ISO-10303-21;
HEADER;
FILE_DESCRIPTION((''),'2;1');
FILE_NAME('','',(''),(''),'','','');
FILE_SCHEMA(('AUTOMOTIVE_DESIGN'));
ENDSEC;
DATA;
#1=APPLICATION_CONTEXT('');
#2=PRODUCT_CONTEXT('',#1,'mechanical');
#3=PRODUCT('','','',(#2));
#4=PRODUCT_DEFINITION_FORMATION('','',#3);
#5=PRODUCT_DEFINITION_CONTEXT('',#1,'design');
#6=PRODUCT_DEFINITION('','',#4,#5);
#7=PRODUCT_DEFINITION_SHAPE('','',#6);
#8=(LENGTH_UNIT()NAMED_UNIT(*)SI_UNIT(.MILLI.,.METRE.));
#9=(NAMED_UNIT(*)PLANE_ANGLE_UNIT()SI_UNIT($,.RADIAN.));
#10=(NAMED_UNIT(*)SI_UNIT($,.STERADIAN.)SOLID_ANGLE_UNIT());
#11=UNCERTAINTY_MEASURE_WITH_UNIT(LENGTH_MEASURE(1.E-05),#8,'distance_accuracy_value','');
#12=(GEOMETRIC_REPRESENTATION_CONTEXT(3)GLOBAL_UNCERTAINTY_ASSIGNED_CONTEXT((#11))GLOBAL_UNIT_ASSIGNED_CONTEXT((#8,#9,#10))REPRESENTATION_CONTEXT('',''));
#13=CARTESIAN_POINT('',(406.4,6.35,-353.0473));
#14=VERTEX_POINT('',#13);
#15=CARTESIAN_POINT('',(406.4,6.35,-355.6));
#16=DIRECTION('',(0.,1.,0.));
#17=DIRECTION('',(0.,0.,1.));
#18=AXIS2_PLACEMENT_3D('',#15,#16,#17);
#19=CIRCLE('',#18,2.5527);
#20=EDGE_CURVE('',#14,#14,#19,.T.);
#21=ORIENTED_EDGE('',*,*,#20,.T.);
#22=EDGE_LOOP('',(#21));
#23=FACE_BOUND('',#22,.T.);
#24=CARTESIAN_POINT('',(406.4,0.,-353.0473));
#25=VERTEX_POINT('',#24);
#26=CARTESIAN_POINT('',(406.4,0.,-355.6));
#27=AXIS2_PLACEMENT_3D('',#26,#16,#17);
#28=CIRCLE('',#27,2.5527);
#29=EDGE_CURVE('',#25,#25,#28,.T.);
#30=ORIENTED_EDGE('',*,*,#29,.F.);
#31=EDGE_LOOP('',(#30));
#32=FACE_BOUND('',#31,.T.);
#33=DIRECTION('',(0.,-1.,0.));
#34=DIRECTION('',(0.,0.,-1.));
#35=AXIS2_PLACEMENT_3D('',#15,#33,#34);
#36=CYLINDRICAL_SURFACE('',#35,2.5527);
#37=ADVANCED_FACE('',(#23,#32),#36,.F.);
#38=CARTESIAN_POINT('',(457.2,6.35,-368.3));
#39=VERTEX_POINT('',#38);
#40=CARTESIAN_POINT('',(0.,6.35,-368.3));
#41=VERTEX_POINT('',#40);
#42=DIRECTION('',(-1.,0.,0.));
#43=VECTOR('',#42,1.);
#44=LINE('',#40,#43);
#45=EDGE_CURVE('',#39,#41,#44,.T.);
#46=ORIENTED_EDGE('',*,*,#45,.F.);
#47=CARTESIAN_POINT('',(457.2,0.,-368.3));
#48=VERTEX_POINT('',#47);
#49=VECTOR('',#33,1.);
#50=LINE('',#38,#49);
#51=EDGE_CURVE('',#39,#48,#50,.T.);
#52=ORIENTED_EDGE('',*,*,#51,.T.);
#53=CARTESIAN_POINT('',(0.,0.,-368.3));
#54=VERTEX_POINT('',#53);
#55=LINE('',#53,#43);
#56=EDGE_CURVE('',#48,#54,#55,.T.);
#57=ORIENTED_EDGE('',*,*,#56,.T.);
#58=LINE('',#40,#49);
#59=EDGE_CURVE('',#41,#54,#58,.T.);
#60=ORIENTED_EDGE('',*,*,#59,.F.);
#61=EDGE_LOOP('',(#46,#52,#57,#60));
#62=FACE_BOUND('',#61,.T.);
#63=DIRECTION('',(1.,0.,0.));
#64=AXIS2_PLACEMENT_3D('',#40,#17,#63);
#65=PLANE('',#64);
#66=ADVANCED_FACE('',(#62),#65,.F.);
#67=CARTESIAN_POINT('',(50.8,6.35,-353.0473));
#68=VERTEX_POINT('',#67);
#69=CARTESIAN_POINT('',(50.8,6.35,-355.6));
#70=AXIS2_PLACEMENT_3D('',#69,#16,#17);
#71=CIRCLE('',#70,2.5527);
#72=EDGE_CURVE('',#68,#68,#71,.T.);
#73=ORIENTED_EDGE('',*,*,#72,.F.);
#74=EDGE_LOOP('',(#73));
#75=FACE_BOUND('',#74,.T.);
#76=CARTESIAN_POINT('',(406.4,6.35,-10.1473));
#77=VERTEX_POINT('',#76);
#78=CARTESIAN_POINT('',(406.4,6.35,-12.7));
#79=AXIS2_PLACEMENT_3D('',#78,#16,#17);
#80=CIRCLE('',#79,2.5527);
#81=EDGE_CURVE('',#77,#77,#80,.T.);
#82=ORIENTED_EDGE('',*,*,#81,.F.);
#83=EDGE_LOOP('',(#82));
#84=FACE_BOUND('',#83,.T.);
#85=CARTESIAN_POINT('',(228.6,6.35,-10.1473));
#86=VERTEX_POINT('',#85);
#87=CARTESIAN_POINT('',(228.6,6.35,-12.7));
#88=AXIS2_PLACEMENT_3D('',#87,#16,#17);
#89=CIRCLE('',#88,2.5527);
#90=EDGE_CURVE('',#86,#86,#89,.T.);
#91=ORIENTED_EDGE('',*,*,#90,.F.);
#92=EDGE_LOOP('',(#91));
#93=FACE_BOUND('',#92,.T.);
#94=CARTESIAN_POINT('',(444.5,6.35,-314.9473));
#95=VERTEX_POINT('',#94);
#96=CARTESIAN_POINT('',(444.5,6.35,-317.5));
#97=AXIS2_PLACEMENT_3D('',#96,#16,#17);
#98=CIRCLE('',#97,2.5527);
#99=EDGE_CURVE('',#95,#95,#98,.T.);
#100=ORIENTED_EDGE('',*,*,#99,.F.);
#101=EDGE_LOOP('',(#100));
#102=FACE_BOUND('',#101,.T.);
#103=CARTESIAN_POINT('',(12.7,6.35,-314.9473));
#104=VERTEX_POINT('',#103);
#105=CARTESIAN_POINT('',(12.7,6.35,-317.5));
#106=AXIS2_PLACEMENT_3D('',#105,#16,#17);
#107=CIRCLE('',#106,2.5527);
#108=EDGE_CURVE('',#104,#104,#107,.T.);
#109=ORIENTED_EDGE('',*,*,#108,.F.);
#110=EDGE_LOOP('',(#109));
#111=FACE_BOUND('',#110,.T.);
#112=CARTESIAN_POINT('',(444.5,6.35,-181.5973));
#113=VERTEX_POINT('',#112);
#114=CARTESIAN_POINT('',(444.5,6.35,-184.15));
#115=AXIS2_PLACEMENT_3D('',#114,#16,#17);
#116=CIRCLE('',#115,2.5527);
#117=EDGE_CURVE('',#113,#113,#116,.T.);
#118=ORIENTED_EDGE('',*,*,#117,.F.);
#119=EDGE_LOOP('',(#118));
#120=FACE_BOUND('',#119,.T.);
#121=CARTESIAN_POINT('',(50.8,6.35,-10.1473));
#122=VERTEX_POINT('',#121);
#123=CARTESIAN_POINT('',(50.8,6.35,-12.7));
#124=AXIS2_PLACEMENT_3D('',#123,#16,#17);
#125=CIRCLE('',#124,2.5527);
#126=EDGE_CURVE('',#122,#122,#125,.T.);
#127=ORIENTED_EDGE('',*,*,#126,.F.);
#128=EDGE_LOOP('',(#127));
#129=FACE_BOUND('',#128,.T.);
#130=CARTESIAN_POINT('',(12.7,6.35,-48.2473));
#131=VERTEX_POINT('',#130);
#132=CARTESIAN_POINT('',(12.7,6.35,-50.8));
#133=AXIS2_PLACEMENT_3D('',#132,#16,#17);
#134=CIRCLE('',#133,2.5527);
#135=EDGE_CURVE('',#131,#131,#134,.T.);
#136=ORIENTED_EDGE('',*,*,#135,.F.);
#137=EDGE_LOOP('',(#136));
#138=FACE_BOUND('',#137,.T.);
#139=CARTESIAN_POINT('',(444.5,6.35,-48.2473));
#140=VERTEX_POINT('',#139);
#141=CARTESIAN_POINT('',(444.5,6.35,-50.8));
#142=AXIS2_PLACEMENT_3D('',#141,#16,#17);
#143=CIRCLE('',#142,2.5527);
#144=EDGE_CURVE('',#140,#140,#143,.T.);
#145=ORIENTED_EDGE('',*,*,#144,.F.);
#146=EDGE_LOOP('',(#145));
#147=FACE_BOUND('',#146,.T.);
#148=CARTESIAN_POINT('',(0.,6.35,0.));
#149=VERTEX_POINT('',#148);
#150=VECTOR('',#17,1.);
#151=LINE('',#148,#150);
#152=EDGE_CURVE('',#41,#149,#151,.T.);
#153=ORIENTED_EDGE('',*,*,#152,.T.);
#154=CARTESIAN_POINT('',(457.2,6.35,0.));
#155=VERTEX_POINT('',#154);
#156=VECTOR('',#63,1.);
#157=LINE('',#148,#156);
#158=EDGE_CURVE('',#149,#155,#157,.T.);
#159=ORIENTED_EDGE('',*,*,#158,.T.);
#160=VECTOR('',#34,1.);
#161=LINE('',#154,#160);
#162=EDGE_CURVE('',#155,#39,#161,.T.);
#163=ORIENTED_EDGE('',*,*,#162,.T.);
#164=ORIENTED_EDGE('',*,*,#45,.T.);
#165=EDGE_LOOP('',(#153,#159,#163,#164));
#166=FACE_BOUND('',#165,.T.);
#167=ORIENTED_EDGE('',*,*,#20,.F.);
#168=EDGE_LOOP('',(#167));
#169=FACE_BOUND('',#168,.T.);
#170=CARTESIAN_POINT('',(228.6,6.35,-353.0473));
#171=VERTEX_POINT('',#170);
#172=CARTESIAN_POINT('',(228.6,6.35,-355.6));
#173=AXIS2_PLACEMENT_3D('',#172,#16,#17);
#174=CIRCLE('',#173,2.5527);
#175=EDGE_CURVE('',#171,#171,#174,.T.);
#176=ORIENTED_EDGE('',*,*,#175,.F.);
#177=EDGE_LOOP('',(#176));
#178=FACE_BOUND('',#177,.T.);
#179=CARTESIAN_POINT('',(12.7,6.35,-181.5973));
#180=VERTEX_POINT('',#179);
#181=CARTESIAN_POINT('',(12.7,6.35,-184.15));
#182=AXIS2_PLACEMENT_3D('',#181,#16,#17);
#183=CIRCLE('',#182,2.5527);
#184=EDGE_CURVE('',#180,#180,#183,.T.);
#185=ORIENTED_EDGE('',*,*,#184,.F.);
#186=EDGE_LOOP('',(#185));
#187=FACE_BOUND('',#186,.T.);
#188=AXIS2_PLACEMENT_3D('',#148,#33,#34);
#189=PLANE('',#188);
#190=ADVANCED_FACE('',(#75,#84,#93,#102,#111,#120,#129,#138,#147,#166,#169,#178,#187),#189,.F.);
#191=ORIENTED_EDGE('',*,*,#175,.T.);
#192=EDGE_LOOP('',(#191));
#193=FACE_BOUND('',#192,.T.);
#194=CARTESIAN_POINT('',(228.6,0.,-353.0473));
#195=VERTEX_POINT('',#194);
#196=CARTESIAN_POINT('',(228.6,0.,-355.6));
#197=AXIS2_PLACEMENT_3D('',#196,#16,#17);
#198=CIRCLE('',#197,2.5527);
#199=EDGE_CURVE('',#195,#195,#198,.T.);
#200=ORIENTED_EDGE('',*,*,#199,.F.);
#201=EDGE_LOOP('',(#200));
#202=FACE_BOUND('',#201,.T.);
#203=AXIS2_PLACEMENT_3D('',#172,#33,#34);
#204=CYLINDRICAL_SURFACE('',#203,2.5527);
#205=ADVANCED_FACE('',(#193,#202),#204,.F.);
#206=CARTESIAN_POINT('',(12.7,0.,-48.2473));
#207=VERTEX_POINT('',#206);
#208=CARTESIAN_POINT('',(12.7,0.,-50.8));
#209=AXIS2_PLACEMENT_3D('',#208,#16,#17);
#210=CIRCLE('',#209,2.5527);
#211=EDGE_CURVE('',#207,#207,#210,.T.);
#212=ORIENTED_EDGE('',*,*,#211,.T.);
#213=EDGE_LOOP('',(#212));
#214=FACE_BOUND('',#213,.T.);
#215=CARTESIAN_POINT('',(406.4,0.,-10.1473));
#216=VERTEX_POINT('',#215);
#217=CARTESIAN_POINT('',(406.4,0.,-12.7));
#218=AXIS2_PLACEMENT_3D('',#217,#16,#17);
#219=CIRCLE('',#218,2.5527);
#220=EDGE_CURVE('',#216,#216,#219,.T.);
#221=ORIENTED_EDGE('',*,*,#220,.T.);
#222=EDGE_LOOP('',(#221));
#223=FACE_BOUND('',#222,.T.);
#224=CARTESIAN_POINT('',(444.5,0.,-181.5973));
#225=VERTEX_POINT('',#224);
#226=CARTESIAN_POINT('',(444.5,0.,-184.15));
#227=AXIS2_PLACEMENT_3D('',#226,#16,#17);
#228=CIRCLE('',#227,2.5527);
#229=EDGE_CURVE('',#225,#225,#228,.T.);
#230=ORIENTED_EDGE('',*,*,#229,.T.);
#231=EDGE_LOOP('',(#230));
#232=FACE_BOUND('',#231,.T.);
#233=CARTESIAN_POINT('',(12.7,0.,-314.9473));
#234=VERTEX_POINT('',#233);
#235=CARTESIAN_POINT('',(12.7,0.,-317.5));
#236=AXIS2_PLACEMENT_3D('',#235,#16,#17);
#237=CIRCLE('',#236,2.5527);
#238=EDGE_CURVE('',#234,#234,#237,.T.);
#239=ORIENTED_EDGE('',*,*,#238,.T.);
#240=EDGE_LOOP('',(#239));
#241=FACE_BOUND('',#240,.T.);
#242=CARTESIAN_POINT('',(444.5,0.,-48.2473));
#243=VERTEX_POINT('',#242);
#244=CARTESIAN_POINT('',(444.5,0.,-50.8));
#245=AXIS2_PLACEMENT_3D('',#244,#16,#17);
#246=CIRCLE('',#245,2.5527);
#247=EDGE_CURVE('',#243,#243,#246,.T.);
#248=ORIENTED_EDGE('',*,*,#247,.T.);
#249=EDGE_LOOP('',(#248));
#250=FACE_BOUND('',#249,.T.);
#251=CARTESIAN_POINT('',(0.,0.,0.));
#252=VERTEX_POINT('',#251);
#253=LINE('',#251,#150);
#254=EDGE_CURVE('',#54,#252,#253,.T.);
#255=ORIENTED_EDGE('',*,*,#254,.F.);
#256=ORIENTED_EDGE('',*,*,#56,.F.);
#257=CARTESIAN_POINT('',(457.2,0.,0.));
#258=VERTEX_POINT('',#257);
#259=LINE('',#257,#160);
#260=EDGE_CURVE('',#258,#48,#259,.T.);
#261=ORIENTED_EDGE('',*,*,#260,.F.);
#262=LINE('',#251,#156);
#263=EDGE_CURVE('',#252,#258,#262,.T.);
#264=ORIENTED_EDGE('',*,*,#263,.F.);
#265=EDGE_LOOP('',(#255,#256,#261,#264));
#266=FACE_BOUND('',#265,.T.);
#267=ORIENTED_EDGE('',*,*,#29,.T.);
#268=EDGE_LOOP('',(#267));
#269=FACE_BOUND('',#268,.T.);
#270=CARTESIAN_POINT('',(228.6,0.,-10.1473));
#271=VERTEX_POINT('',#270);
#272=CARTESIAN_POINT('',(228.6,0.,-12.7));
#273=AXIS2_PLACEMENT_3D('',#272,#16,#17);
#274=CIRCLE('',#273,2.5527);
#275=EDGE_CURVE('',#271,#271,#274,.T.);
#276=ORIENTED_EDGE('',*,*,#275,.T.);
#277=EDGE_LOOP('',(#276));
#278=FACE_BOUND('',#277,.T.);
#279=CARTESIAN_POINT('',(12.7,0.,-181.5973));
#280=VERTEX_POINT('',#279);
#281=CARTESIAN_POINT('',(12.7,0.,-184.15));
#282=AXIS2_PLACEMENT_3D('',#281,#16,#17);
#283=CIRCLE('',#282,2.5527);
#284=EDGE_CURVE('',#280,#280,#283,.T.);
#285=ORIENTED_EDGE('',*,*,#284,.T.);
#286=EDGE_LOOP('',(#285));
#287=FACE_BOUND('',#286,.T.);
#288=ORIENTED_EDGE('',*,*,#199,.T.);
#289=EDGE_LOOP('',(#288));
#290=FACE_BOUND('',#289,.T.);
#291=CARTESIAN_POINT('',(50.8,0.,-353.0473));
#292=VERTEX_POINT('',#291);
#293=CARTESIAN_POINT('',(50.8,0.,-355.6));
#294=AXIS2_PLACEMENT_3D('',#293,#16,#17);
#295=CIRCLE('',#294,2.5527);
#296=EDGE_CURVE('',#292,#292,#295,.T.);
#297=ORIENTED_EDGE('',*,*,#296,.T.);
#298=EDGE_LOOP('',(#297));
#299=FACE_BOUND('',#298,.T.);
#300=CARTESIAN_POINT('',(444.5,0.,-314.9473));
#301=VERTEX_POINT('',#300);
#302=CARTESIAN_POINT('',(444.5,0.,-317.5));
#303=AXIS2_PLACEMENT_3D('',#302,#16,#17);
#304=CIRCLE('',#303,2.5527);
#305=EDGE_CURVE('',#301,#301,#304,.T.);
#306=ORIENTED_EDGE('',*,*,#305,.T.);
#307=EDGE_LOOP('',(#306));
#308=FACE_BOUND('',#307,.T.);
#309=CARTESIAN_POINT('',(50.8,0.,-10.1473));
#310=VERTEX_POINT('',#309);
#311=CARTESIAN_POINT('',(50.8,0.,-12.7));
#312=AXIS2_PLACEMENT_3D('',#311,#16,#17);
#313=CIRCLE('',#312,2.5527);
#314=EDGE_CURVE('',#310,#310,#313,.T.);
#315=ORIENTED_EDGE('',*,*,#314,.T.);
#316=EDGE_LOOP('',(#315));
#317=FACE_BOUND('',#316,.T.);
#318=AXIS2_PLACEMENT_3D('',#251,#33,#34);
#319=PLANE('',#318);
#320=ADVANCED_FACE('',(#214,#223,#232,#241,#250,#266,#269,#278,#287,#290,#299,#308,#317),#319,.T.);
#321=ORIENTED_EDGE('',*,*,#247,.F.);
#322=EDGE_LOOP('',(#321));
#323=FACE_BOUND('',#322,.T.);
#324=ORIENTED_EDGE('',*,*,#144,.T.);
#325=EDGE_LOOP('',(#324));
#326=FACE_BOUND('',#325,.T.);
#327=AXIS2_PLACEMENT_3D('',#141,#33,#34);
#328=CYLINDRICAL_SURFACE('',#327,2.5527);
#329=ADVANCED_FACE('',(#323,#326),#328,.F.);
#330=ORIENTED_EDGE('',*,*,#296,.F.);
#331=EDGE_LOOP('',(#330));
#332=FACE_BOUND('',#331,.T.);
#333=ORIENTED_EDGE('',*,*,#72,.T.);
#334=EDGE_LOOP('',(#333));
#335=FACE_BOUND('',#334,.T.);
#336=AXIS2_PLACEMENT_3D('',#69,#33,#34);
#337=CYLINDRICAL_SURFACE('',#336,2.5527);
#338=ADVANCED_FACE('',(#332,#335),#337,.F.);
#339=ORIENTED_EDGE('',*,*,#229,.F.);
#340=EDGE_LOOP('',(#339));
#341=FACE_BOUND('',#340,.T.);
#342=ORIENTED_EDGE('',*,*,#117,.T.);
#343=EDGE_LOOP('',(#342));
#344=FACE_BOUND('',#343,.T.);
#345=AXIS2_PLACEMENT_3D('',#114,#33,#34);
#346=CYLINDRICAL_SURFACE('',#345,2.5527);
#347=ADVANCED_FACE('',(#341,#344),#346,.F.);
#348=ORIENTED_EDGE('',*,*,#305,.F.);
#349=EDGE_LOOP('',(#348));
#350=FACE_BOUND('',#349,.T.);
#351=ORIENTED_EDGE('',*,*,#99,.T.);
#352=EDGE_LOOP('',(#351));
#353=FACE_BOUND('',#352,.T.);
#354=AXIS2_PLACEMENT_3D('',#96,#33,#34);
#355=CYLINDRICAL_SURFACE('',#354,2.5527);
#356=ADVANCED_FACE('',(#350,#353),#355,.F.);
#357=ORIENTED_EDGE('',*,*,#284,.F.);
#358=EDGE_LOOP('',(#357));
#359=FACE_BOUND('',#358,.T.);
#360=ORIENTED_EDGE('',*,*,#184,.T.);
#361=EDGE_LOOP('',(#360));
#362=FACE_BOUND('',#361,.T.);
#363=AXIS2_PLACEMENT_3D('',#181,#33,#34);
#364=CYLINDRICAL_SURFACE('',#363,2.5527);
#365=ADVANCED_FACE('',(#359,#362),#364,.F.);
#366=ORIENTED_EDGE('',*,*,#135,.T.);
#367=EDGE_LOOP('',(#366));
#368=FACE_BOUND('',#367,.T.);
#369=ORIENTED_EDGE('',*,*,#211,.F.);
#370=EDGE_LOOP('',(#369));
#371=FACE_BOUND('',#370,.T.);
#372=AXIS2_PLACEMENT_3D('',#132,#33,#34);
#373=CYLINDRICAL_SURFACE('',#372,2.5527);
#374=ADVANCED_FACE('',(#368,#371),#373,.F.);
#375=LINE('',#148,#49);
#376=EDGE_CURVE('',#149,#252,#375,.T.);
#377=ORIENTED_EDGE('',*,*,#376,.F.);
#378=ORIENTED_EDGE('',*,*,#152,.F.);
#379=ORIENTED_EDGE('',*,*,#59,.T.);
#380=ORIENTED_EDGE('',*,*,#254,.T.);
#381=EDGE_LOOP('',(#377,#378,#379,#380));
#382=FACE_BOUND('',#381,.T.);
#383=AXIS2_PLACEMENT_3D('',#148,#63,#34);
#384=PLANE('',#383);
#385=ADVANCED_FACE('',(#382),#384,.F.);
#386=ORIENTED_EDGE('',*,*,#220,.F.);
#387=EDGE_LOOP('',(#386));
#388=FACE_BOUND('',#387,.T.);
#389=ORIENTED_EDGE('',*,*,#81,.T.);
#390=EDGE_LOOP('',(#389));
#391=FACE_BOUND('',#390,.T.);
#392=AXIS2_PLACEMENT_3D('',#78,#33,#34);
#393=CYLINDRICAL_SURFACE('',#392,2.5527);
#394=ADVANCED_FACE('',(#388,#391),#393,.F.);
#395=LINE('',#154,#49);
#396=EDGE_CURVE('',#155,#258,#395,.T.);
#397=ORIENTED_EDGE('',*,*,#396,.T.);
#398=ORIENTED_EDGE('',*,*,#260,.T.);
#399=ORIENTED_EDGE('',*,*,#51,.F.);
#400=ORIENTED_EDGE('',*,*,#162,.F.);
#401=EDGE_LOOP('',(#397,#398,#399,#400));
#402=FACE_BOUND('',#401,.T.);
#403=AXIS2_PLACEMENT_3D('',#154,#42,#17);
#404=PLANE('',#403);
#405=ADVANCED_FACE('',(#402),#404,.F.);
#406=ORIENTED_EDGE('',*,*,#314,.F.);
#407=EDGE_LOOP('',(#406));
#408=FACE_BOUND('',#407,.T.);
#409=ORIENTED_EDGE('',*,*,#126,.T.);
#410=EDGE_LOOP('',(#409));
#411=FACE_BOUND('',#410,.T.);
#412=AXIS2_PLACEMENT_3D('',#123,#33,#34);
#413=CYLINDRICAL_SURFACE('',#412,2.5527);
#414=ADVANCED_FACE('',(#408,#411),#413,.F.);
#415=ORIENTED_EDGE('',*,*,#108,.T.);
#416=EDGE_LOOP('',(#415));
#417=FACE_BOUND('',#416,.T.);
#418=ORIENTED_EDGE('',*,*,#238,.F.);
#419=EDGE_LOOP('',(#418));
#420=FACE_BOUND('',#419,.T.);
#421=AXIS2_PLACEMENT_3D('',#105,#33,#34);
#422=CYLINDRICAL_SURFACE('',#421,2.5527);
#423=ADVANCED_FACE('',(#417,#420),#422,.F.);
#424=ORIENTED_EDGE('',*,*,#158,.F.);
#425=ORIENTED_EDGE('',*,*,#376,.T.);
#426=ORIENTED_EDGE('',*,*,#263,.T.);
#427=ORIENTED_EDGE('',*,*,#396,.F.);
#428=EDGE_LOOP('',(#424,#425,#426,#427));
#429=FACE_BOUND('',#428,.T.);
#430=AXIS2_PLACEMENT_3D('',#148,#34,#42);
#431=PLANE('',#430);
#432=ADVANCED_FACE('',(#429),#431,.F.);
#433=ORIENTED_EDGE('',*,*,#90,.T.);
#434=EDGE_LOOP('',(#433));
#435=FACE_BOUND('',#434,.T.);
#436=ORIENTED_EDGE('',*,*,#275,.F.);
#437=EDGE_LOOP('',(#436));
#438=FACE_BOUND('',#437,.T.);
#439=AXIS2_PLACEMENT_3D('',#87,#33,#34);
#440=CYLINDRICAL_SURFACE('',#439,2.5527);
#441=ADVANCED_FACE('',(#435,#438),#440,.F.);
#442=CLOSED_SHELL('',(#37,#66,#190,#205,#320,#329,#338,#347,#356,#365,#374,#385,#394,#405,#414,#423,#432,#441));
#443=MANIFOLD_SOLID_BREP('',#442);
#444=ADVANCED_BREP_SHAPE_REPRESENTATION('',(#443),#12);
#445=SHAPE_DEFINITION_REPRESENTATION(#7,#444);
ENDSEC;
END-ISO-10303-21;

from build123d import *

# Parameters (mm, degrees)
SKETCH1_W           = 457.2
SKETCH1_H           = 368.3
SKETCH1_R           = 2.5527
BOSS_EXTRUDE1_DEPTH = 6.35


with BuildPart() as part:
    # Sketch1 → Boss-Extrude1 (new body)
    with BuildSketch(Plane(origin=(0, 0, 0), x_dir=(1, 0, 0), z_dir=(0, 1, 0))):
        with Locations((228.6, 184.15)):
            Rectangle(SKETCH1_W, SKETCH1_H)
        with Locations(Location((50.8, 355.6, 0), (0, 0, 270))):
            Circle(SKETCH1_R, mode=Mode.SUBTRACT)
        with Locations(Location((406.4, 355.6, 0), (0, 0, 270))):
            Circle(SKETCH1_R, mode=Mode.SUBTRACT)
        with Locations(Location((406.4, 12.7, 0), (0, 0, 270))):
            Circle(SKETCH1_R, mode=Mode.SUBTRACT)
        with Locations(Location((50.8, 12.7, 0), (0, 0, 270))):
            Circle(SKETCH1_R, mode=Mode.SUBTRACT)
        with Locations(Location((228.6, 12.7, 0), (0, 0, 270))):
            Circle(SKETCH1_R, mode=Mode.SUBTRACT)
        with Locations(Location((228.6, 355.6, 0), (0, 0, 270))):
            Circle(SKETCH1_R, mode=Mode.SUBTRACT)
        with Locations(Location((12.7, 184.15, 0), (0, 0, 270))):
            Circle(SKETCH1_R, mode=Mode.SUBTRACT)
        with Locations(Location((444.5, 184.15, 0), (0, 0, 270))):
            Circle(SKETCH1_R, mode=Mode.SUBTRACT)
        with Locations(Location((12.7, 50.8, 0), (0, 0, 270))):
            Circle(SKETCH1_R, mode=Mode.SUBTRACT)
        with Locations(Location((444.5, 50.8, 0), (0, 0, 270))):
            Circle(SKETCH1_R, mode=Mode.SUBTRACT)
        with Locations(Location((444.5, 317.5, 0), (0, 0, 270))):
            Circle(SKETCH1_R, mode=Mode.SUBTRACT)
        with Locations(Location((12.7, 317.5, 0), (0, 0, 270))):
            Circle(SKETCH1_R, mode=Mode.SUBTRACT)
    extrude(amount=BOSS_EXTRUDE1_DEPTH)


solid = part.part
